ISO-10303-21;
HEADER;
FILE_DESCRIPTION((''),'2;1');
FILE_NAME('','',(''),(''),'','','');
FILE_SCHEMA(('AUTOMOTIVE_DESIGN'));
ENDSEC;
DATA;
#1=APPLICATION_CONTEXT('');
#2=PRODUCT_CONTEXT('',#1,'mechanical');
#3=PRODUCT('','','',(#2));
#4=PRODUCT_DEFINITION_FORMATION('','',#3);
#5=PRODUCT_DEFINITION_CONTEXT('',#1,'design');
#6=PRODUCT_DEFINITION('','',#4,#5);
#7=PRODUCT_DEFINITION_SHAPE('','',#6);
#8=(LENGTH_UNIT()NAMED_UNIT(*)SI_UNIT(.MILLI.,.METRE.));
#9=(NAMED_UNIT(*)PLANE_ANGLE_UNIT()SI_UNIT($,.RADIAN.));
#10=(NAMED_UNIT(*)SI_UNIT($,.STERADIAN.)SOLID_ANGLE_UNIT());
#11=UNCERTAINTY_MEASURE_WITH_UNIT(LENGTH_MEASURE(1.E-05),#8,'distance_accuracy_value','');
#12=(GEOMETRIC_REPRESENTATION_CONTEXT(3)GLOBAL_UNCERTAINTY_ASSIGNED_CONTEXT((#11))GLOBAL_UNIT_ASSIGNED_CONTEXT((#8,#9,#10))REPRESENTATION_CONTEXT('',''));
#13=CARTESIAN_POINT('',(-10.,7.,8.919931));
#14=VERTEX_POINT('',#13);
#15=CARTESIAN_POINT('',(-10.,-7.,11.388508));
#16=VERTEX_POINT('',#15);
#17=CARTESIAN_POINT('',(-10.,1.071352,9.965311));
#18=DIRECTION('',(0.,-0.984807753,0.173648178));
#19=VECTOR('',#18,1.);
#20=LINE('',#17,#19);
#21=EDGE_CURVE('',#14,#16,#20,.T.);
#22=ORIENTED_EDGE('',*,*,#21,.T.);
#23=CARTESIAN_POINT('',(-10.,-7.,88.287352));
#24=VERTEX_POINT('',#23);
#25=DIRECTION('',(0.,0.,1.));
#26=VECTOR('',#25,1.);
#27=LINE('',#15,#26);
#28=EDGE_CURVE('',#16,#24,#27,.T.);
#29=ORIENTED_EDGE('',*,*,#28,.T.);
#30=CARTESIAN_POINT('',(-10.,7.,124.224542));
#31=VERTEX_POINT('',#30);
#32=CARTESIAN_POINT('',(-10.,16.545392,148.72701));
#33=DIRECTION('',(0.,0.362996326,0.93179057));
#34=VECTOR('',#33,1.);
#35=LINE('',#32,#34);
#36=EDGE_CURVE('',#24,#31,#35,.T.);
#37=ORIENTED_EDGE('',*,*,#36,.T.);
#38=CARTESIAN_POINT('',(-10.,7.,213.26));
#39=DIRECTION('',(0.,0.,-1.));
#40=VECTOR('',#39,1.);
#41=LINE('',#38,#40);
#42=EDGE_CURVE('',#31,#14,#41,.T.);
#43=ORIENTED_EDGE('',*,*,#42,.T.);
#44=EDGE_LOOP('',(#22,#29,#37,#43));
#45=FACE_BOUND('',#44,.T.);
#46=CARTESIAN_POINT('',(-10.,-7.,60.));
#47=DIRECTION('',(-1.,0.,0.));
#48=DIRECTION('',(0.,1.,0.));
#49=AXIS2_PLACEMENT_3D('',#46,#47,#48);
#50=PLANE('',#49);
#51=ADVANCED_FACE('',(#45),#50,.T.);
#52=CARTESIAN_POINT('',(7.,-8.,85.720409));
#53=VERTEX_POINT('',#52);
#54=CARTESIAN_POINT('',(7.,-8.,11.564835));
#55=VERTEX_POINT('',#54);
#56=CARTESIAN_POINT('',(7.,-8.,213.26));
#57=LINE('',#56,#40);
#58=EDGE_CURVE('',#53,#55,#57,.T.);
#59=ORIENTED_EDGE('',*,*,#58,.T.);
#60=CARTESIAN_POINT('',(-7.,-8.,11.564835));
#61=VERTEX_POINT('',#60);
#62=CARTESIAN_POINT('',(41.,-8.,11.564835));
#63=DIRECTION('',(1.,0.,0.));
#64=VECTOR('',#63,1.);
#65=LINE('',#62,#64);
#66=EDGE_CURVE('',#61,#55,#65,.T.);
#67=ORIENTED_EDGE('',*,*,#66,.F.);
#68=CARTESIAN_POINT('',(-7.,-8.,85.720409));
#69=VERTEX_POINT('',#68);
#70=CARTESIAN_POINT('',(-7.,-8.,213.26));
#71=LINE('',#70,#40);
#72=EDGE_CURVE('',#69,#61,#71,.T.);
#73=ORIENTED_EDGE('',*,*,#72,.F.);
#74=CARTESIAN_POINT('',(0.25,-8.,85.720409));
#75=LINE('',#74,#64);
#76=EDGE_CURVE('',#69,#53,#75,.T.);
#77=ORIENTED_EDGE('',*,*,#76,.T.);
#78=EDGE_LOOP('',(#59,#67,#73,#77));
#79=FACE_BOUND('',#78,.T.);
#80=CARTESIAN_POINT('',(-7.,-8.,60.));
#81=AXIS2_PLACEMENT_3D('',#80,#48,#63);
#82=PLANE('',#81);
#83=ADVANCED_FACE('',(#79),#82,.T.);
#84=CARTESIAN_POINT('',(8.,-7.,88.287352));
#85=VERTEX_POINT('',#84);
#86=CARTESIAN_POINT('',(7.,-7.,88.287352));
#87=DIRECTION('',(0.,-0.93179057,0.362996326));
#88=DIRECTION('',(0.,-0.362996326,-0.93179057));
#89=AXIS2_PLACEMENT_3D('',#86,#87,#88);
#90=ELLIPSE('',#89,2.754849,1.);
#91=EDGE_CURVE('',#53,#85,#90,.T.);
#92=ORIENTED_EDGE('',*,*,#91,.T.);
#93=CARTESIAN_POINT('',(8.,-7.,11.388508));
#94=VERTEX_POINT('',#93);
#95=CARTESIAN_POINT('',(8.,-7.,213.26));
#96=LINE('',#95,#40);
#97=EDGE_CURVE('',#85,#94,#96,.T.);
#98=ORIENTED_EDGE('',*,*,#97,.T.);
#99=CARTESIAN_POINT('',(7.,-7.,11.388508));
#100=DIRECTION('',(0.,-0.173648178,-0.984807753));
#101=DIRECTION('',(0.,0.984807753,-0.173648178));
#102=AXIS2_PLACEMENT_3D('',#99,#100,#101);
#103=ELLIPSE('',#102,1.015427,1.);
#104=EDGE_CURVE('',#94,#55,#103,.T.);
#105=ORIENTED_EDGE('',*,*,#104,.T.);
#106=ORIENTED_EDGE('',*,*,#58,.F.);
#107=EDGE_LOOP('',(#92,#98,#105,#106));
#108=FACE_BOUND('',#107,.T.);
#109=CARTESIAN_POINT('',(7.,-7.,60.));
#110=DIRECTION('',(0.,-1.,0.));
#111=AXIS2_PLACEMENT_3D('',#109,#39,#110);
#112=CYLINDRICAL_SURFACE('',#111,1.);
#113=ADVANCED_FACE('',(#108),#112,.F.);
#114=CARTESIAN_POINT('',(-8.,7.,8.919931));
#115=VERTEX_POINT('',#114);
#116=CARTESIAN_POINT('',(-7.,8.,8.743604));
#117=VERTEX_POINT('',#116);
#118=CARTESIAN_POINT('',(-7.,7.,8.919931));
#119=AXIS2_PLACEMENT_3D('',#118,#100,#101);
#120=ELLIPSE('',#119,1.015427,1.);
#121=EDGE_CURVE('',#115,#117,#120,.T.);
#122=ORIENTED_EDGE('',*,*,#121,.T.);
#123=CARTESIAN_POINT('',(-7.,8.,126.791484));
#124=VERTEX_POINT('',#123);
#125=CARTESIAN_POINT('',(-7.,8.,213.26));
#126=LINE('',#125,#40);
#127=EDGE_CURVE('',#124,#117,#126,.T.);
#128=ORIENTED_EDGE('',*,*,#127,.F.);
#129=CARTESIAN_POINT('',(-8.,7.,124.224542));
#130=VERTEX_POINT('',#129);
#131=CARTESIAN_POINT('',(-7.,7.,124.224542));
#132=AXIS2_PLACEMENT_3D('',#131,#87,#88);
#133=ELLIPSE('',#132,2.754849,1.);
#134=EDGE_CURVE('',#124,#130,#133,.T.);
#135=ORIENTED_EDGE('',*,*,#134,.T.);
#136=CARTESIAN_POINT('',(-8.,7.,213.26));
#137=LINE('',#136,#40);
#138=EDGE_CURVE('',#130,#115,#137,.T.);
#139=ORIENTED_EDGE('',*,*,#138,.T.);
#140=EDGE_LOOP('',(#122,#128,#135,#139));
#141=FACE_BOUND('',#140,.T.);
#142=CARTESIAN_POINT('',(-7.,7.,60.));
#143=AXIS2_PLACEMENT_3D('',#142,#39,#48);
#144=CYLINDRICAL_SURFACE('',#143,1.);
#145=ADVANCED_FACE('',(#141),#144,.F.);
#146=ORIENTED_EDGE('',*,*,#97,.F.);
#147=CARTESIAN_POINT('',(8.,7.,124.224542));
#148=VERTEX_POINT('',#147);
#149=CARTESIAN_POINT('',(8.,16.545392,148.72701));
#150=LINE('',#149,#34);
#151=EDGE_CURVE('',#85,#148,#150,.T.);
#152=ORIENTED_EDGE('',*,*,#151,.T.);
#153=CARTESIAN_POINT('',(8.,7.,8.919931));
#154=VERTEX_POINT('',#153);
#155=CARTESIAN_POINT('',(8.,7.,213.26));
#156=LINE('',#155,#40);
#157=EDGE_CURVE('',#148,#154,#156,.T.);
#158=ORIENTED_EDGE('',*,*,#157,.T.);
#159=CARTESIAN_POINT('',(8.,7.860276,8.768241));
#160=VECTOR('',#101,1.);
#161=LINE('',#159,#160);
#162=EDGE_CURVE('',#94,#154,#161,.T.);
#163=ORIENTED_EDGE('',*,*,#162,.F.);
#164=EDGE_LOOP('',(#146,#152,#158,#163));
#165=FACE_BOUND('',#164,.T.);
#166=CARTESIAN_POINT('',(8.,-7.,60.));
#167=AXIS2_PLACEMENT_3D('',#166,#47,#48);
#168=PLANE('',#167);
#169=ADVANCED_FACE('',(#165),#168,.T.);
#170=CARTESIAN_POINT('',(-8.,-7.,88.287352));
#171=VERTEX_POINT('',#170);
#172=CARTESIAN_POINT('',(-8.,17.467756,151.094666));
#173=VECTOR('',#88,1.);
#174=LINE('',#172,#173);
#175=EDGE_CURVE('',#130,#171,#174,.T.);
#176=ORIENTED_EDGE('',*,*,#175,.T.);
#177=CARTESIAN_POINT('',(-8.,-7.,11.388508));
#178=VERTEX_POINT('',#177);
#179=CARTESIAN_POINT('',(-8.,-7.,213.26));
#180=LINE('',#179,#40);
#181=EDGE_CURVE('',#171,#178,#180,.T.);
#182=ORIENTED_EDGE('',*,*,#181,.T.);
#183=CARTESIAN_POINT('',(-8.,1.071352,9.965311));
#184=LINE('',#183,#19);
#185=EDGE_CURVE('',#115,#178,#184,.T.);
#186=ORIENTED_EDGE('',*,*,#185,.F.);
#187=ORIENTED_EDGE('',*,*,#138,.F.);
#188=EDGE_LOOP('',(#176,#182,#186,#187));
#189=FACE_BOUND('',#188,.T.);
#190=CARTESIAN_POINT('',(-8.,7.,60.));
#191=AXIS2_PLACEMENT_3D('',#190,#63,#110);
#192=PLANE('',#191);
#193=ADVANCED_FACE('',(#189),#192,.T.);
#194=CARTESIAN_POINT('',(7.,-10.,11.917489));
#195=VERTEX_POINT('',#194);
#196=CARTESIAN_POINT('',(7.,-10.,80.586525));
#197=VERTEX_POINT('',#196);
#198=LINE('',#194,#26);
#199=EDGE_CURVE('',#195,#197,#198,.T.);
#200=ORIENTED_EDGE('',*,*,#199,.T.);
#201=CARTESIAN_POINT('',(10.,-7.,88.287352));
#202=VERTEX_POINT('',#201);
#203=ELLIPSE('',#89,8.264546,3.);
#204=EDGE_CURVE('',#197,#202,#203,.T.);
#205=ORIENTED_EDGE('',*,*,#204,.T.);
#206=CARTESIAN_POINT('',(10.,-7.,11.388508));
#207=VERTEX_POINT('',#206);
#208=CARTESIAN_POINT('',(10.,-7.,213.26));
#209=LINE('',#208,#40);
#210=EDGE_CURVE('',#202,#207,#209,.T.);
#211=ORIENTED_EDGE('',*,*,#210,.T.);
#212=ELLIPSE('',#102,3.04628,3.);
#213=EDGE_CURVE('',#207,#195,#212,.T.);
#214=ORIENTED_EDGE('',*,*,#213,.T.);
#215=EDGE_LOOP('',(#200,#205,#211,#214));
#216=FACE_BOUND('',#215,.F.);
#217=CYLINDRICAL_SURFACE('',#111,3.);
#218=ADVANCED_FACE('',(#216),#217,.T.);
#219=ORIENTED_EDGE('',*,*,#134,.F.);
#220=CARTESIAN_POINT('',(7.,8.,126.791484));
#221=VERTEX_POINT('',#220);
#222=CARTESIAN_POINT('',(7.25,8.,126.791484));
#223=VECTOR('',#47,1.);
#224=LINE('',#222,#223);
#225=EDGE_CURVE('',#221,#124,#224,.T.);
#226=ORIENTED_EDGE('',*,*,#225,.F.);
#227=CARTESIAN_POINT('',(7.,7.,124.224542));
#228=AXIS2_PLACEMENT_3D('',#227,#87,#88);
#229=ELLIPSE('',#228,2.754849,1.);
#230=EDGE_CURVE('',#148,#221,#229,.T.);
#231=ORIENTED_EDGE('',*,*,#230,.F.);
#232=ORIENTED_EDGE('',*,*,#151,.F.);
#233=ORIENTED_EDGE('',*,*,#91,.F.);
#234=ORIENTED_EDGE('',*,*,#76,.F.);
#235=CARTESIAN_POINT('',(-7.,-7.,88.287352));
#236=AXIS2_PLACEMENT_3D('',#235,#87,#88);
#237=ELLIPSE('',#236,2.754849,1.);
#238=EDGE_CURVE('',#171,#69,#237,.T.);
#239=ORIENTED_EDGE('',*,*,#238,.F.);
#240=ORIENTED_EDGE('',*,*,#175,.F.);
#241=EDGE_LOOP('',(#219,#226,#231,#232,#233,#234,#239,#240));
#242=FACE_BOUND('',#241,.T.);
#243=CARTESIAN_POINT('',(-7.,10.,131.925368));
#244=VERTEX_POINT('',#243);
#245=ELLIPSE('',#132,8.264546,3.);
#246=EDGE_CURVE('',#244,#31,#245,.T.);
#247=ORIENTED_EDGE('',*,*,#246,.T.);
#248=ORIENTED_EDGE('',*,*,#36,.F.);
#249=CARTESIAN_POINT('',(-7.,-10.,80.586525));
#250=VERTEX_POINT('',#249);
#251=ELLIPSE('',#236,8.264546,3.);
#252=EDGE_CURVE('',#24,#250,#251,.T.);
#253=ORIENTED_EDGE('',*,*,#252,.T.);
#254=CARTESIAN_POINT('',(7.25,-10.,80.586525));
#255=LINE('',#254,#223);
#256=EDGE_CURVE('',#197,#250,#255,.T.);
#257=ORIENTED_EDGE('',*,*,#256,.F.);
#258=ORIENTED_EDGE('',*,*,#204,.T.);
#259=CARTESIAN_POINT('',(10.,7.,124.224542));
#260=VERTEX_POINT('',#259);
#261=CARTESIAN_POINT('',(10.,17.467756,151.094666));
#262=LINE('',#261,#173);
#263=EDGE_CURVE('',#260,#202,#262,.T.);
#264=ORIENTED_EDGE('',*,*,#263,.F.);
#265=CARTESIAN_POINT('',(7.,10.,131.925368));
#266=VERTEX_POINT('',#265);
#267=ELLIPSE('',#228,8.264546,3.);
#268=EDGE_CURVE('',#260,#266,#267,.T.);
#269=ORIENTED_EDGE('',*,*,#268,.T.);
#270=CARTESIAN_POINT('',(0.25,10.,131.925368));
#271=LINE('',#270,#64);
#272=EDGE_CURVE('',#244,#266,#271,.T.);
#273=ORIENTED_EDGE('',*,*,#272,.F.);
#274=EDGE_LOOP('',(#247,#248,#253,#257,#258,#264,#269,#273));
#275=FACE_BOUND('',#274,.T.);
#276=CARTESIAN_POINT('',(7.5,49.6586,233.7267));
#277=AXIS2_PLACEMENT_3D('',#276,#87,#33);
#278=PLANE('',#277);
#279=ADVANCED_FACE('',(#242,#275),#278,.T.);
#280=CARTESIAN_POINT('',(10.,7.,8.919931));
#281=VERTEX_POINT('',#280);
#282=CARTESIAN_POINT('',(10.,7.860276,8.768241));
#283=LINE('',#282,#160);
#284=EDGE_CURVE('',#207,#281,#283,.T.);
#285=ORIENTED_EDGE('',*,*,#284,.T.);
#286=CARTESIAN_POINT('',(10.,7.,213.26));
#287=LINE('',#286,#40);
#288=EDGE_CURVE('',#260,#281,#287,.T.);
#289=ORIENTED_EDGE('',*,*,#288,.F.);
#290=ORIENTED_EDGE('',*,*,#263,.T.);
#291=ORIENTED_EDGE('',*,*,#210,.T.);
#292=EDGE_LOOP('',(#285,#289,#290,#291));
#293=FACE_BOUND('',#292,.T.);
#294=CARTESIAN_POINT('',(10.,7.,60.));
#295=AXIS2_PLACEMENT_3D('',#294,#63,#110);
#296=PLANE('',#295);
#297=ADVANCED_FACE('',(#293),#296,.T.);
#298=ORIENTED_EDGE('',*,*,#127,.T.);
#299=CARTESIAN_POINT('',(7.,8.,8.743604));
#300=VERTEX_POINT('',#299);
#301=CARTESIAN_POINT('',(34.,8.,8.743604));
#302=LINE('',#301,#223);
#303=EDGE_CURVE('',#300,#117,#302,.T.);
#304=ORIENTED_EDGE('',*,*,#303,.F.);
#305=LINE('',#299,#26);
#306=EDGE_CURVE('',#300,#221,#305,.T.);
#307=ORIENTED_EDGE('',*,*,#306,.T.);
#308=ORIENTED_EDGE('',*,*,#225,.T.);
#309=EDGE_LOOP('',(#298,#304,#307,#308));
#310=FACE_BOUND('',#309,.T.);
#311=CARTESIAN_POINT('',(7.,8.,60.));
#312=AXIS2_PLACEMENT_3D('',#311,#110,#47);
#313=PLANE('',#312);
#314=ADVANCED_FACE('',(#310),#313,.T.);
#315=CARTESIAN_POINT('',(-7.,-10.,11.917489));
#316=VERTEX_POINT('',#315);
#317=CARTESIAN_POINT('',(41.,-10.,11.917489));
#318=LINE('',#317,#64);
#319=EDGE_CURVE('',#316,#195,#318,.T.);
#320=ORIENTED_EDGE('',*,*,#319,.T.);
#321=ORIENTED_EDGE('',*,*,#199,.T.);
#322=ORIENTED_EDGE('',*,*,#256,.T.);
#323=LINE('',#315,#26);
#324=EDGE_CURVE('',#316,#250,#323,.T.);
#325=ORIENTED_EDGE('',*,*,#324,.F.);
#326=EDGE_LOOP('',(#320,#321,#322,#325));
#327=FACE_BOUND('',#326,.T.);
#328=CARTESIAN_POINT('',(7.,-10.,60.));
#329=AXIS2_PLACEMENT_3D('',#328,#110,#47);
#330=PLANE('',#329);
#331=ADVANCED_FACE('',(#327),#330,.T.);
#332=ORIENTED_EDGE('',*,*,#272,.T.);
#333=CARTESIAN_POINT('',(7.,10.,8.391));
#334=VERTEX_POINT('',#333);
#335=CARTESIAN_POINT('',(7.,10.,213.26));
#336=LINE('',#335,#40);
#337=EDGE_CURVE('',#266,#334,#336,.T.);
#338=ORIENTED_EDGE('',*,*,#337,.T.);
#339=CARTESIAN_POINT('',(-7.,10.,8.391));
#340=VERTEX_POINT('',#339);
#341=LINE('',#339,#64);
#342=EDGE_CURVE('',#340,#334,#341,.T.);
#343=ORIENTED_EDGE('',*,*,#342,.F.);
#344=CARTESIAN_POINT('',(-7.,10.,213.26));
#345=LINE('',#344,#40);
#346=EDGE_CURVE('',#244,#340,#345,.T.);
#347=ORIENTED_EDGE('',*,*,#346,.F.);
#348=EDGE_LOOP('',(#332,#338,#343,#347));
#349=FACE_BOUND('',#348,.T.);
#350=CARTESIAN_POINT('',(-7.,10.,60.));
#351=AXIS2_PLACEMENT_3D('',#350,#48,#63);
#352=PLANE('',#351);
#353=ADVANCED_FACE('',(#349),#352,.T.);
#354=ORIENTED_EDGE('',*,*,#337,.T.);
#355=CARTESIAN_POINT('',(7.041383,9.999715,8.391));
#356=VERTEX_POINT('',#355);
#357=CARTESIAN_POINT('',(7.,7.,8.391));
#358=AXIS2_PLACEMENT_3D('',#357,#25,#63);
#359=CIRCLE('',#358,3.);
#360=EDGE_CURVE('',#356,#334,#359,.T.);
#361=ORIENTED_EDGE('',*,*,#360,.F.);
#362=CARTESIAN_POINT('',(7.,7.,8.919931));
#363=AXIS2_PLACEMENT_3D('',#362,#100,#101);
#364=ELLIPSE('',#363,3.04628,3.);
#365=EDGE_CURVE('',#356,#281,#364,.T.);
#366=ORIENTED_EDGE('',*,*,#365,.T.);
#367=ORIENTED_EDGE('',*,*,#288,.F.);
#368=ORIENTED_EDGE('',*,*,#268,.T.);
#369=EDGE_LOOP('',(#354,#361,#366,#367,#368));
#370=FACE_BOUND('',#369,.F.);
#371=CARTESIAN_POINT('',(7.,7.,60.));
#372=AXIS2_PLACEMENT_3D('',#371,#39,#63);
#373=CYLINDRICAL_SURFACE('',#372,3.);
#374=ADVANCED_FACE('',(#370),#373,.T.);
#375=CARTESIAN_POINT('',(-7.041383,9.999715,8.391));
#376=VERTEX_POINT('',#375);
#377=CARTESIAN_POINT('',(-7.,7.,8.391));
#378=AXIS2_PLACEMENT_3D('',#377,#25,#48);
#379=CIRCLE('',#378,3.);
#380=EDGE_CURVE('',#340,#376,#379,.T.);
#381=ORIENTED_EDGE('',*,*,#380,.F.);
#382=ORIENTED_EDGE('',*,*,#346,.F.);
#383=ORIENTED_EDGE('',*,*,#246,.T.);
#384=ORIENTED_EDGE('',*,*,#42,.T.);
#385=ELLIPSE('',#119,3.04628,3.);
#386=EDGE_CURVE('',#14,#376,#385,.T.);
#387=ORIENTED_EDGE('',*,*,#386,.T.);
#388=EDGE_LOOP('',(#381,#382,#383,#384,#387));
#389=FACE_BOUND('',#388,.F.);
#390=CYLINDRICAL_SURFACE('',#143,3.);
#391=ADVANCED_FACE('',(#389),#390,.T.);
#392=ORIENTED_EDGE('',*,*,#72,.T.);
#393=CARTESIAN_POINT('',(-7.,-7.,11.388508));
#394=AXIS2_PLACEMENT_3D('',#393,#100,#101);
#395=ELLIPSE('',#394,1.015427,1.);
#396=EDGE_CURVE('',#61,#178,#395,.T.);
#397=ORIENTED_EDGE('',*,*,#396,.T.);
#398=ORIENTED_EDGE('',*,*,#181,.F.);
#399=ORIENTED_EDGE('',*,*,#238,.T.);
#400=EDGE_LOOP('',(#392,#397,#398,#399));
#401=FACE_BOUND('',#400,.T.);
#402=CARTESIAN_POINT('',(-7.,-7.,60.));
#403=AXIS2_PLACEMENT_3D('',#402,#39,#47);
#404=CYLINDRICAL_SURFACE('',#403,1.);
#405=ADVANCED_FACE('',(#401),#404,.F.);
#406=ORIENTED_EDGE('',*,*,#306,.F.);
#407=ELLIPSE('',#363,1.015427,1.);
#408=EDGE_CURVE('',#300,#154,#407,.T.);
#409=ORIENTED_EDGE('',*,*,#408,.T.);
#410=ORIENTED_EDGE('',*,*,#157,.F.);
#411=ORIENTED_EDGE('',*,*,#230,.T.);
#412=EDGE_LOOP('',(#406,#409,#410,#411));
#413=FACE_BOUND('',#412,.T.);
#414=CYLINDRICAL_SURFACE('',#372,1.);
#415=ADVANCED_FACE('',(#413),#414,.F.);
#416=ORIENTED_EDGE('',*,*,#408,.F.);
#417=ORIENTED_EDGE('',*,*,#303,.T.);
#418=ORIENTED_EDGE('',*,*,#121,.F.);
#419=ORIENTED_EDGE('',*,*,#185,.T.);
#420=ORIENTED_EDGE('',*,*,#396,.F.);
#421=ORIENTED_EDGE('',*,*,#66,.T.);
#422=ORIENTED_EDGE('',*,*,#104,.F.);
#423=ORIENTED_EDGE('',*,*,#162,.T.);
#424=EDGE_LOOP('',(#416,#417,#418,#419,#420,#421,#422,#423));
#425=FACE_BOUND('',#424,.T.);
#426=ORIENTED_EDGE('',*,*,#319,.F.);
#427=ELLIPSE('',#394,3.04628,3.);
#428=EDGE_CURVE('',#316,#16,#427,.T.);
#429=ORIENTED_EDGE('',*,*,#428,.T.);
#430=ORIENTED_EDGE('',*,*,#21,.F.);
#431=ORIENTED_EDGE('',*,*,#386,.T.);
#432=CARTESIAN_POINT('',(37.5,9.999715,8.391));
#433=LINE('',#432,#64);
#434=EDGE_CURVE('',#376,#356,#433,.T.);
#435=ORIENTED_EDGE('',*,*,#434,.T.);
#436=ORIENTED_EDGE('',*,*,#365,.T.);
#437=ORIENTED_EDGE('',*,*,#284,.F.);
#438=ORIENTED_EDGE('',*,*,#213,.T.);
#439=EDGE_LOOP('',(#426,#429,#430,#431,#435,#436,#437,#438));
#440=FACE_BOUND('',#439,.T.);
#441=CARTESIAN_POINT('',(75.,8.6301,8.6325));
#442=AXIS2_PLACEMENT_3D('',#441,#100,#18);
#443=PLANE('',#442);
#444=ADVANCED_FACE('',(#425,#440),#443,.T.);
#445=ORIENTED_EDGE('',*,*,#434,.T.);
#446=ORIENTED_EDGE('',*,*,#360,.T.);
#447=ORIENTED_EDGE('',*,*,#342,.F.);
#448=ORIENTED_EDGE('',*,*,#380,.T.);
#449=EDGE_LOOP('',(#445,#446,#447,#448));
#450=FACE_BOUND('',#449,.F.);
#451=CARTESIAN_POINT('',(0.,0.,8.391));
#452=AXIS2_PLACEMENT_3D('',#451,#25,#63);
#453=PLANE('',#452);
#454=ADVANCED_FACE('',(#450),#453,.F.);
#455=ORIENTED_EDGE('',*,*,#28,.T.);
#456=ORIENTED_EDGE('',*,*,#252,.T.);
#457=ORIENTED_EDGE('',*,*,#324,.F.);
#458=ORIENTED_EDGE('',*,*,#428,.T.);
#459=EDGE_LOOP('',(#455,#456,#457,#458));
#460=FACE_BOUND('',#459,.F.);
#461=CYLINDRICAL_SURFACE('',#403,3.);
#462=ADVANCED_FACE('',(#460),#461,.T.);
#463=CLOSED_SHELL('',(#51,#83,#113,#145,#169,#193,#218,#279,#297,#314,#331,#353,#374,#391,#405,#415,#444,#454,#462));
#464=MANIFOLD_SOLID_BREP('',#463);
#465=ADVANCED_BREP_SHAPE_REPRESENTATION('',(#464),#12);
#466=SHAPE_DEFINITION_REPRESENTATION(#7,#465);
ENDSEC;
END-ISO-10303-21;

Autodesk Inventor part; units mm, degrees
ref_plane "Start Plane" through (0, 0, 8.391) normal (0, 0, 1) x (1, 0, 0)
ref_plane "End Plane" through (0, 0, 60) normal (0, 0, 1) x (1, 0, 0)
sketch "Sketch" plane through (0, 0, 0) normal (0, 0, 1) x (1, 0, 0)
  line L0 (-10, -7) -> (-10, 7)
  line L1 (-7, 10) -> (7, 10)
  line L2 (10, 7) -> (10, -7)
  line L3 (7, -10) -> (-7, -10)
  arc A0 (-10, -7) -> (-7, -10) centre (-7, -7) ccw
  arc A1 (-7, 10) -> (-10, 7) centre (-7, 7) ccw
  arc A2 (10, 7) -> (7, 10) centre (7, 7) ccw
  arc A3 (7, -10) -> (10, -7) centre (7, -7) ccw
  arc A4 (-7, 8) -> (-8, 7) centre (-7, 7) ccw
  line L4 (-7, 8) -> (7, 8)
  arc A5 (8, 7) -> (7, 8) centre (7, 7) ccw
  line L5 (8, 7) -> (8, -7)
  arc A6 (7, -8) -> (8, -7) centre (7, -7) ccw
  line L6 (7, -8) -> (-7, -8)
  arc A7 (-8, -7) -> (-7, -8) centre (-7, -7) ccw
  line L7 (-8, -7) -> (-8, 7)
  line L8 (0, 14.8698) -> (0, -14.8698) construction
  line L9 (-14.8698, 0) -> (14.8698, 0) construction
  dimension "d7" = 3
  dimension "d10" = 20
  dimension "d11" = 20
  dimension "d12" = 2
  dimension "d15" = 10
  dimension "d16" = 10
extrude "Body" add sketch "Sketch" along normal up to surface (51.609 mm away) from surface at 8.391
sketch "Sketch3" plane through (0, 0, 0) normal (0, 0, 1) x (1, 0, 0)
  line L0 (0, 0) -> (10, 0)
ref_plane "Work Plane3" through (0, 0, 0) normal (0, -1, 0) x (1, 0, 0)
sketch "Sketch4" plane through (0, 0, 0) normal (0, -1, 0) x (1, 0, 0)
  line L0 (-2, 8.391) -> (12, 8.391)
  line L1 (-2, 60) -> (12, 60)
  dimension "d18" = 51.609
ref_plane "Work Plane4" through (75, 8.6301, 8.6325) normal (0, -0.1736, -0.9848) x (1, 0, 0)
split "Split1" plane through (75, 8.6301, 8.6325) removes the side toward (0, -0.1736, -0.9848)
ref_plane "Work Plane6" through (7.5, 49.6586, 233.7267) normal (0, 0.9318, -0.363) x (0, -0.363, -0.9318)
sketch "Sketch6" plane through (-7, -10, 60) normal (0, 0, 1) x (1, 0, 0)
  line L0 (14, 18) -> (0, 18) projected
  arc A0 (15, 17) -> (14, 18) centre (14, 17) ccw projected
  line L1 (15, 3) -> (15, 17) projected
  arc A1 (14, 2) -> (15, 3) centre (14, 3) ccw projected
  line L2 (0, 2) -> (14, 2) projected
  arc A2 (-1, 3) -> (0, 2) centre (0, 3) ccw projected
  line L3 (-1, 17) -> (-1, 3) projected
  arc A3 (0, 18) -> (-1, 17) centre (0, 17) ccw projected
  line L4 (-3, 3) -> (-3, 17) projected
  arc A4 (-3, 3) -> (0, 0) centre (0, 3) ccw projected
  line L5 (14, 0) -> (0, 0) projected
  arc A5 (14, 0) -> (17, 3) centre (14, 3) ccw projected
  line L6 (17, 17) -> (17, 3) projected
  arc A6 (17, 17) -> (14, 20) centre (14, 17) ccw projected
  line L7 (0, 20) -> (14, 20) projected
  arc A7 (0, 20) -> (-3, 17) centre (0, 17) ccw projected
  point P0 (7, 10)
extrude "Extrusion2" add sketch "Sketch6" along normal blind 153.26
split "Split3" plane through (7.5, 49.6586, 233.7267) removes the side toward (0, -0.9318, 0.363)
equation "\"d7\" = G_IR"
equation "\"d10\" = G_H"
equation "\"d11\" = G_W"
equation "\"d12\" = G_T"
equation "\"d15\" = 0.5 * d10"
equation "\"d16\" = 0.5 * d11"
equation "\"d3\" = G_L"
equation "\"G_W\" = 20"
equation "\"G_H\" = 20"
equation "\"G_T\" = 2"
equation "\"G_IR\" = 3"
equation "\"G_L\" = d18"
equation "\"G_OFFSET_START\" = -8.391"
equation "\"G_OFFSET_END\" = 0"
equation "\"d13\" = -G_OFFSET_START"
properties part number "ISO 12633-2 - 20x20x2 - 51,61" material "Steel, Mild"
